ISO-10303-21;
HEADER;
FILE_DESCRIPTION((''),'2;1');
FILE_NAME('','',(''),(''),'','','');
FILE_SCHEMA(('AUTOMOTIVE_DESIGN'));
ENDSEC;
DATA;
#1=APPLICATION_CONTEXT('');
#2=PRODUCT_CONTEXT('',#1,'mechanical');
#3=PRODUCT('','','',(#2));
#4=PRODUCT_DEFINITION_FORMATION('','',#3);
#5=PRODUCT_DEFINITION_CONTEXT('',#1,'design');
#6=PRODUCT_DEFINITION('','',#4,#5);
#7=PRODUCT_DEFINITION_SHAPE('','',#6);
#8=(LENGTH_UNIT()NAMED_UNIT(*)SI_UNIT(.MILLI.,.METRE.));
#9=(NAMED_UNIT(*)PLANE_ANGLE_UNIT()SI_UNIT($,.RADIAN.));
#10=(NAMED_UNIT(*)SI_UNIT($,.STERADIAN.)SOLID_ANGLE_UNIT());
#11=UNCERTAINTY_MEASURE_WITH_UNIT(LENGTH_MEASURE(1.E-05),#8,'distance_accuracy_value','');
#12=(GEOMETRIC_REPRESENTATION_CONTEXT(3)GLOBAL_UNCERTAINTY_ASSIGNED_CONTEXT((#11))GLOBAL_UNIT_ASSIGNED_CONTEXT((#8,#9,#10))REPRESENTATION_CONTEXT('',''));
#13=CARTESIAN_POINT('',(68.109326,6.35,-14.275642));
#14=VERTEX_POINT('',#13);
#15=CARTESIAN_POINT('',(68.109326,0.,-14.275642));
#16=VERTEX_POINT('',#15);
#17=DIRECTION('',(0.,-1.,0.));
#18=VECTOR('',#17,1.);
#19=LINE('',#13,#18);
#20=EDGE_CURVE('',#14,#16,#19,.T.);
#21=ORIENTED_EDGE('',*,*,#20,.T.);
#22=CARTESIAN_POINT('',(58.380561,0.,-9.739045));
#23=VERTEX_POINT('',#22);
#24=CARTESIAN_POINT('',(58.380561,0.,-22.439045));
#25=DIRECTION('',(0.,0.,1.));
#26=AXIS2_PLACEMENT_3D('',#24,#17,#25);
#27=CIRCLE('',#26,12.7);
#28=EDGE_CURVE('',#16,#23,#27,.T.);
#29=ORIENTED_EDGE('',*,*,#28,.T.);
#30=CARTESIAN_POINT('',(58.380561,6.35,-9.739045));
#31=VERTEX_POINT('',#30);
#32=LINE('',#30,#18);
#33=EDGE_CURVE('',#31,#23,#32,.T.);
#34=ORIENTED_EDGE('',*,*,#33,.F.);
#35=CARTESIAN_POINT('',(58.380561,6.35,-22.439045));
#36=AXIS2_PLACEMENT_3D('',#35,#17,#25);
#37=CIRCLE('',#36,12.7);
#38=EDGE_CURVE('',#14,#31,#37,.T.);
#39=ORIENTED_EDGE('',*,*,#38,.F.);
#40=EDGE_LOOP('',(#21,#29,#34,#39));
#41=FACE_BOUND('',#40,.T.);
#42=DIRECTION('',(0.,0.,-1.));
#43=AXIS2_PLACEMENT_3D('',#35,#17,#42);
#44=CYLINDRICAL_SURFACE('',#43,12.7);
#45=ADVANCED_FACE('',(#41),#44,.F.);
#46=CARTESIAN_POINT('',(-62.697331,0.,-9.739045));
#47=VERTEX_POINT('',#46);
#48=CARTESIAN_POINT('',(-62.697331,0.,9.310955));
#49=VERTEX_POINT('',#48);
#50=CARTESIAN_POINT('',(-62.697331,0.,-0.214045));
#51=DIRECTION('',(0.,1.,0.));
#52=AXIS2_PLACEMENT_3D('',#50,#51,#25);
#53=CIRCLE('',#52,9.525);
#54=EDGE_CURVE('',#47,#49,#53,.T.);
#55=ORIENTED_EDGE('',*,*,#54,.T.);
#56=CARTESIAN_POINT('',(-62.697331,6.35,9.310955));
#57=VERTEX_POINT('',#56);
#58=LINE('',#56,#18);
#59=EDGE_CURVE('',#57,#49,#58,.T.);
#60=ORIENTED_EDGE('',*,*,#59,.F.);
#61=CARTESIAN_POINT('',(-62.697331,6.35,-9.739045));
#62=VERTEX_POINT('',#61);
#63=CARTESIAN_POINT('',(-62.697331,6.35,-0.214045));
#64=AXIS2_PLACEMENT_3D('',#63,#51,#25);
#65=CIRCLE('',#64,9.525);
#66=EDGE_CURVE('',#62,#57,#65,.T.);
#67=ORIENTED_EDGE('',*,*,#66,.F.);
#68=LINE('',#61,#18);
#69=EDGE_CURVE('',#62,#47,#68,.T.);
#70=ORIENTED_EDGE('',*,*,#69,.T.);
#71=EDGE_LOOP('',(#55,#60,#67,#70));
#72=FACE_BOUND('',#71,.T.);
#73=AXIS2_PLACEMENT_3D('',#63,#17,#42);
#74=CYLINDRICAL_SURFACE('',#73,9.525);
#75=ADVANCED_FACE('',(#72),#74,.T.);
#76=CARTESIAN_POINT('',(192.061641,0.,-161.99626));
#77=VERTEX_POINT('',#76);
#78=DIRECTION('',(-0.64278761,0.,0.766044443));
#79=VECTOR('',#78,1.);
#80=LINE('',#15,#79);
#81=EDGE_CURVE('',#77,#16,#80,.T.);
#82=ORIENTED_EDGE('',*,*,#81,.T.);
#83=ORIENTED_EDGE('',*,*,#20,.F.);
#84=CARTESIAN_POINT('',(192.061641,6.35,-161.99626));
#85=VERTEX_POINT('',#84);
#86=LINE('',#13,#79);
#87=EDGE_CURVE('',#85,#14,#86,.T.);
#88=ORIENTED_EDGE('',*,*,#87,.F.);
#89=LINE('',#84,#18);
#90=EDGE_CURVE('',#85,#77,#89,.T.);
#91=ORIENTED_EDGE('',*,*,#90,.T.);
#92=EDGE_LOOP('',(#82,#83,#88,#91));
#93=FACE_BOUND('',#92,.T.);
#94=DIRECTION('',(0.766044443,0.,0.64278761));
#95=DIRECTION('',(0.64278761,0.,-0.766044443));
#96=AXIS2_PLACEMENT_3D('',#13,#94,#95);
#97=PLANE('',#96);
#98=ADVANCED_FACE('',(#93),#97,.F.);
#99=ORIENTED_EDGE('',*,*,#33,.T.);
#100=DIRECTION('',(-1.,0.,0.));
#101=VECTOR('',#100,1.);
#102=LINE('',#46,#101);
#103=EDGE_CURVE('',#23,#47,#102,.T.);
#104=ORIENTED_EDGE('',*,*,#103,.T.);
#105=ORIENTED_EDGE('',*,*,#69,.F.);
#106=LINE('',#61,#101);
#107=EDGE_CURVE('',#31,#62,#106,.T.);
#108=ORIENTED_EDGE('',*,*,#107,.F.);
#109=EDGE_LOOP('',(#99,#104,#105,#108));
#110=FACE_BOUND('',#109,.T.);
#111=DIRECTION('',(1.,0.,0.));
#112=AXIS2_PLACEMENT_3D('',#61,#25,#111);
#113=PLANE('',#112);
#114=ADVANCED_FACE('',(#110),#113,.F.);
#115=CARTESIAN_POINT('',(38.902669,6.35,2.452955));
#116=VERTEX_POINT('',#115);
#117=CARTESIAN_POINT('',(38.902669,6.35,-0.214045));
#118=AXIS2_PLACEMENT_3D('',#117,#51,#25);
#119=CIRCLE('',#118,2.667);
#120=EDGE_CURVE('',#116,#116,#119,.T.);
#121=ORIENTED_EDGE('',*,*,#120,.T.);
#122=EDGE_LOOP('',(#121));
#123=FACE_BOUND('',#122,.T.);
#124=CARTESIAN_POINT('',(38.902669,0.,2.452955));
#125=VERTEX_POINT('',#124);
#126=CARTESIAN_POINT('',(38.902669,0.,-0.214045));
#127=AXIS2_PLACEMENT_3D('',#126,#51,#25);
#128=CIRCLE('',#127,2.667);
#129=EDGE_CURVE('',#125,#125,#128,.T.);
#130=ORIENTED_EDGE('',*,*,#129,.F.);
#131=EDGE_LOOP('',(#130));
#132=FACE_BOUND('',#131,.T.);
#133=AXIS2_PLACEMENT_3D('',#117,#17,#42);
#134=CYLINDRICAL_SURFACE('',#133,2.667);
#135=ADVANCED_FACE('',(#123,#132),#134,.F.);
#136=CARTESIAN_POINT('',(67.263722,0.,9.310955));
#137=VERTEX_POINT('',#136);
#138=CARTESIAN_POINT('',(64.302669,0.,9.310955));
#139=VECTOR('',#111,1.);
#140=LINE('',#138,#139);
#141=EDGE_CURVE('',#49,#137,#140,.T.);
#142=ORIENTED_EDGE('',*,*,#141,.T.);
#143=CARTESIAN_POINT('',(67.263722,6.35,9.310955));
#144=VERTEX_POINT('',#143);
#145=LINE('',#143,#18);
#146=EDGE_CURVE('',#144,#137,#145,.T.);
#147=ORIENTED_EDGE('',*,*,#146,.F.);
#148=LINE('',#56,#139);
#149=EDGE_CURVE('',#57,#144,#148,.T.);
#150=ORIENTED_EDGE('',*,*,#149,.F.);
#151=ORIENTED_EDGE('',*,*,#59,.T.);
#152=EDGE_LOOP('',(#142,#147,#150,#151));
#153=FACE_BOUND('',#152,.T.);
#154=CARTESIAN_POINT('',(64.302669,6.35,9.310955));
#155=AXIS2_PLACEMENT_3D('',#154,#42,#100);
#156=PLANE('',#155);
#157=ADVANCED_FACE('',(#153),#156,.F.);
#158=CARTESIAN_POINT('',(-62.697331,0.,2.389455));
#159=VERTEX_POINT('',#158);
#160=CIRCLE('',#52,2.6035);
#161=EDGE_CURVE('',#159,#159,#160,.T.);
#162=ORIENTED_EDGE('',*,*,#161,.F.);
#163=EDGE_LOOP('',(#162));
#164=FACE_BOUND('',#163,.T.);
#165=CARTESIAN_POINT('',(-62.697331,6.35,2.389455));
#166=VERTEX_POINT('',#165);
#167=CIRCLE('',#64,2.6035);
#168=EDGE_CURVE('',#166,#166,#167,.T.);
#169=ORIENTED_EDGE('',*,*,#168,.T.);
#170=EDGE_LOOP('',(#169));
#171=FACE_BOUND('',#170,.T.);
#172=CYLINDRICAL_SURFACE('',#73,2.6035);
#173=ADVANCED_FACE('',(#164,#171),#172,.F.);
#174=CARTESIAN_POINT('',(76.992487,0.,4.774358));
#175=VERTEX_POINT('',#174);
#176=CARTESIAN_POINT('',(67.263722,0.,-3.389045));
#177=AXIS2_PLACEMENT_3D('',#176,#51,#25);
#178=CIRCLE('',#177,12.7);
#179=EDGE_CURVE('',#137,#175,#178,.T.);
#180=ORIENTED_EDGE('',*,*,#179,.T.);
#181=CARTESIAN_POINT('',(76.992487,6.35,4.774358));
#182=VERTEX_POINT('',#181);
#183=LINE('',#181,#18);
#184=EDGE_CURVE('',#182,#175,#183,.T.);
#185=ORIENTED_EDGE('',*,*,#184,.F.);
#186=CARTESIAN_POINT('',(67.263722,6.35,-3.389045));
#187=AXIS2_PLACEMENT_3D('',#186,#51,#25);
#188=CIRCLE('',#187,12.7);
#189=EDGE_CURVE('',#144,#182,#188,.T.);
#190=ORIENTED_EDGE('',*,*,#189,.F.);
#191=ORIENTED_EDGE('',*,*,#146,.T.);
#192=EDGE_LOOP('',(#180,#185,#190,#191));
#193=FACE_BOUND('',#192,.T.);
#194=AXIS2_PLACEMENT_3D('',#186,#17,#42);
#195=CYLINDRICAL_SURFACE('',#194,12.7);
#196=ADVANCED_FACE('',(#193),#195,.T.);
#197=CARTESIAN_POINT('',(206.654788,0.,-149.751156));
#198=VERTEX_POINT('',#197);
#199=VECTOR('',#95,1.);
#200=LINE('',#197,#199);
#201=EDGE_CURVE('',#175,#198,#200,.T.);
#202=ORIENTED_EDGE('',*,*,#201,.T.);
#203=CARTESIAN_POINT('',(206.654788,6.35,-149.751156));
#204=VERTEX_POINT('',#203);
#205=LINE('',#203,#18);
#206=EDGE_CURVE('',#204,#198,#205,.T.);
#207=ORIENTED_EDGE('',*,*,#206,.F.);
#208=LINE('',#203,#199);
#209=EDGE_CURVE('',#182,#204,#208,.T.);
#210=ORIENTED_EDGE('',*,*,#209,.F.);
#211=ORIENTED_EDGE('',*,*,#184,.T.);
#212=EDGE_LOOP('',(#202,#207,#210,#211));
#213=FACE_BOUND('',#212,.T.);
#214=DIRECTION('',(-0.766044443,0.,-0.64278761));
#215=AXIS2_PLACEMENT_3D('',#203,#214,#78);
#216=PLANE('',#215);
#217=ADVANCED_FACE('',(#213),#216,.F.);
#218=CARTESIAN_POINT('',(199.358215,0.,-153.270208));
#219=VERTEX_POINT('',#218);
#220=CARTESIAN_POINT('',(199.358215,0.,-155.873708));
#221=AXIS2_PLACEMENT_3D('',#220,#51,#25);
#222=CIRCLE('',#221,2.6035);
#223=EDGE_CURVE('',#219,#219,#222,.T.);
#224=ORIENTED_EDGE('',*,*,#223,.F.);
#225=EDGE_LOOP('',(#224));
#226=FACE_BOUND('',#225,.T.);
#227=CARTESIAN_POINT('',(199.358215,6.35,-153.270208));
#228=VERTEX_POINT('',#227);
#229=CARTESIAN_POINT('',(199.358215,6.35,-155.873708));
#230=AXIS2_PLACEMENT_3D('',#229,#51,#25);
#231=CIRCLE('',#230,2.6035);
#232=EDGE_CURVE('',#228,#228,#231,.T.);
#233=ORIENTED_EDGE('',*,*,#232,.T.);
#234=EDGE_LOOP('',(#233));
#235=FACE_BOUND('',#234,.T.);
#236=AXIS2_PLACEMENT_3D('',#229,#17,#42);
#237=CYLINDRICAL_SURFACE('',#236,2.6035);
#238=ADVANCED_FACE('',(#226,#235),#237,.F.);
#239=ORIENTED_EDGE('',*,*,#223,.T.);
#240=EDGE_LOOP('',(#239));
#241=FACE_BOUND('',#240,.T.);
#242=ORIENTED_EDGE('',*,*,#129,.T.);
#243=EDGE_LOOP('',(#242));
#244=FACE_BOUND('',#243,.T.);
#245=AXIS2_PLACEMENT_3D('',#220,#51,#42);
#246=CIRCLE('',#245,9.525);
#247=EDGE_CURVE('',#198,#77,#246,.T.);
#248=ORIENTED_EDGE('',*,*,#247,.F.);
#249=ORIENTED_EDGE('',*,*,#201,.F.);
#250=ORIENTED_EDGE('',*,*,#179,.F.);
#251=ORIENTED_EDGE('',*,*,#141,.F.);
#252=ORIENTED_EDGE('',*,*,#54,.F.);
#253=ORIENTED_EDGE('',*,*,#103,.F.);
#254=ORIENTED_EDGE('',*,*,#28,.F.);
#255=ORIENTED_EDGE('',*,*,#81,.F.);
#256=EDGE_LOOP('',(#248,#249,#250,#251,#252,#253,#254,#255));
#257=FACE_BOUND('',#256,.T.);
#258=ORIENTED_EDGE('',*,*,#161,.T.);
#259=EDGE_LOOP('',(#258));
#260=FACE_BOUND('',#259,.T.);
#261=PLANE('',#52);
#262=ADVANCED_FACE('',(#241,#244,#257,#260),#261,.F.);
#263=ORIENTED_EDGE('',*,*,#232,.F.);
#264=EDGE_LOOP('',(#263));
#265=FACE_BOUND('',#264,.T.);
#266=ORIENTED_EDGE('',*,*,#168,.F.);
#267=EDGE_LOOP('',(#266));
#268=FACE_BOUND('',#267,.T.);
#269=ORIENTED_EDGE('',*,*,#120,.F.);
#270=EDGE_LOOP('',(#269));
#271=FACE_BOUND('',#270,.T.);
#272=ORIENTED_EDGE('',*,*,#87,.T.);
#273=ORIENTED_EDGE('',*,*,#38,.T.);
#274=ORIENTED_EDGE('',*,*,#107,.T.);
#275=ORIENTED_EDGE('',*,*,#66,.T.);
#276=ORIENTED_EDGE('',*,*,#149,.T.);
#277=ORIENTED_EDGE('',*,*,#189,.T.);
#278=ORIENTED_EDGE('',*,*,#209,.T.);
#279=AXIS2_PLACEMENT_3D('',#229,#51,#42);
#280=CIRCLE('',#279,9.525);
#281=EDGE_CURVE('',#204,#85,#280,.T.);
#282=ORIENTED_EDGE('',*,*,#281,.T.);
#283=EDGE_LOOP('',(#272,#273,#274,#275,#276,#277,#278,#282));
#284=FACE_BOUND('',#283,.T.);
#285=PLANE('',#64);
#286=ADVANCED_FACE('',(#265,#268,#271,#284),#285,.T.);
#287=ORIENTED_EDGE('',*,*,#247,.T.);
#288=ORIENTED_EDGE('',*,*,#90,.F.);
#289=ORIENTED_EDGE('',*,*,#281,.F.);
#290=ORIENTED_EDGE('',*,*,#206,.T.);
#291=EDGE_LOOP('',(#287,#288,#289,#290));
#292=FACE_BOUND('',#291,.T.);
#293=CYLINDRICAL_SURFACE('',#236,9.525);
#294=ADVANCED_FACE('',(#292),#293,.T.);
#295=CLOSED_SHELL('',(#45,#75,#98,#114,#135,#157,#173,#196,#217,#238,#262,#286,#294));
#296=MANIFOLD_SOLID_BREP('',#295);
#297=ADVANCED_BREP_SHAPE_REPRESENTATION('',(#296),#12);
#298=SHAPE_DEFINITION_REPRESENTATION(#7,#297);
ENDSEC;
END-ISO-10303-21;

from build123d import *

# Parameters (mm, degrees)
SKETCH2_R           = 2.6035
SKETCH2_R_2         = 2.667
BOSS_EXTRUDE1_DEPTH = 6.35


with BuildPart() as part:
    # Sketch2 → Boss-Extrude1 (new body)
    with BuildSketch(Plane(origin=(0, 0, 0), x_dir=(1, 0, 0), z_dir=(0, 1, 0))):
        with BuildLine():
            Line((68.109325708, 14.275642301), (192.061641465, 161.996259914))
            ThreePointArc((192.061641465, 161.996259914), (205.480766768, 163.170281253), (206.654788106, 149.75115595))
            Line((206.654788106, 149.75115595), (76.992486596, -4.774357699))
            ThreePointArc((76.992486596, -4.774357699), (72.630974093, -8.121063952), (67.263722169, -9.310955056))
            Line((67.263722169, -9.310955056), (64.302668539, -9.310955056))
            Line((64.302668539, -9.310955056), (-62.697331461, -9.310955056))
            ThreePointArc((-62.697331461, -9.310955056), (-72.222331461, 0.214044944), (-62.697331461, 9.739044944))
            Line((-62.697331461, 9.739044944), (58.380561281, 9.739044944))
            ThreePointArc((58.380561281, 9.739044944), (63.747813205, 10.928936048), (68.109325708, 14.275642301))
        make_face()
        with Locations(Location((-62.697331461, 0.214044944, 0), (0, 0, 270))):
            Circle(SKETCH2_R, mode=Mode.SUBTRACT)
        with Locations(Location((199.358214786, 155.873707932, 0), (0, 0, 270))):
            Circle(SKETCH2_R, mode=Mode.SUBTRACT)
        with Locations(Location((38.902668539, 0.214044944, 0), (0, 0, 270))):
            Circle(SKETCH2_R_2, mode=Mode.SUBTRACT)
    extrude(amount=BOSS_EXTRUDE1_DEPTH)


solid = part.part
